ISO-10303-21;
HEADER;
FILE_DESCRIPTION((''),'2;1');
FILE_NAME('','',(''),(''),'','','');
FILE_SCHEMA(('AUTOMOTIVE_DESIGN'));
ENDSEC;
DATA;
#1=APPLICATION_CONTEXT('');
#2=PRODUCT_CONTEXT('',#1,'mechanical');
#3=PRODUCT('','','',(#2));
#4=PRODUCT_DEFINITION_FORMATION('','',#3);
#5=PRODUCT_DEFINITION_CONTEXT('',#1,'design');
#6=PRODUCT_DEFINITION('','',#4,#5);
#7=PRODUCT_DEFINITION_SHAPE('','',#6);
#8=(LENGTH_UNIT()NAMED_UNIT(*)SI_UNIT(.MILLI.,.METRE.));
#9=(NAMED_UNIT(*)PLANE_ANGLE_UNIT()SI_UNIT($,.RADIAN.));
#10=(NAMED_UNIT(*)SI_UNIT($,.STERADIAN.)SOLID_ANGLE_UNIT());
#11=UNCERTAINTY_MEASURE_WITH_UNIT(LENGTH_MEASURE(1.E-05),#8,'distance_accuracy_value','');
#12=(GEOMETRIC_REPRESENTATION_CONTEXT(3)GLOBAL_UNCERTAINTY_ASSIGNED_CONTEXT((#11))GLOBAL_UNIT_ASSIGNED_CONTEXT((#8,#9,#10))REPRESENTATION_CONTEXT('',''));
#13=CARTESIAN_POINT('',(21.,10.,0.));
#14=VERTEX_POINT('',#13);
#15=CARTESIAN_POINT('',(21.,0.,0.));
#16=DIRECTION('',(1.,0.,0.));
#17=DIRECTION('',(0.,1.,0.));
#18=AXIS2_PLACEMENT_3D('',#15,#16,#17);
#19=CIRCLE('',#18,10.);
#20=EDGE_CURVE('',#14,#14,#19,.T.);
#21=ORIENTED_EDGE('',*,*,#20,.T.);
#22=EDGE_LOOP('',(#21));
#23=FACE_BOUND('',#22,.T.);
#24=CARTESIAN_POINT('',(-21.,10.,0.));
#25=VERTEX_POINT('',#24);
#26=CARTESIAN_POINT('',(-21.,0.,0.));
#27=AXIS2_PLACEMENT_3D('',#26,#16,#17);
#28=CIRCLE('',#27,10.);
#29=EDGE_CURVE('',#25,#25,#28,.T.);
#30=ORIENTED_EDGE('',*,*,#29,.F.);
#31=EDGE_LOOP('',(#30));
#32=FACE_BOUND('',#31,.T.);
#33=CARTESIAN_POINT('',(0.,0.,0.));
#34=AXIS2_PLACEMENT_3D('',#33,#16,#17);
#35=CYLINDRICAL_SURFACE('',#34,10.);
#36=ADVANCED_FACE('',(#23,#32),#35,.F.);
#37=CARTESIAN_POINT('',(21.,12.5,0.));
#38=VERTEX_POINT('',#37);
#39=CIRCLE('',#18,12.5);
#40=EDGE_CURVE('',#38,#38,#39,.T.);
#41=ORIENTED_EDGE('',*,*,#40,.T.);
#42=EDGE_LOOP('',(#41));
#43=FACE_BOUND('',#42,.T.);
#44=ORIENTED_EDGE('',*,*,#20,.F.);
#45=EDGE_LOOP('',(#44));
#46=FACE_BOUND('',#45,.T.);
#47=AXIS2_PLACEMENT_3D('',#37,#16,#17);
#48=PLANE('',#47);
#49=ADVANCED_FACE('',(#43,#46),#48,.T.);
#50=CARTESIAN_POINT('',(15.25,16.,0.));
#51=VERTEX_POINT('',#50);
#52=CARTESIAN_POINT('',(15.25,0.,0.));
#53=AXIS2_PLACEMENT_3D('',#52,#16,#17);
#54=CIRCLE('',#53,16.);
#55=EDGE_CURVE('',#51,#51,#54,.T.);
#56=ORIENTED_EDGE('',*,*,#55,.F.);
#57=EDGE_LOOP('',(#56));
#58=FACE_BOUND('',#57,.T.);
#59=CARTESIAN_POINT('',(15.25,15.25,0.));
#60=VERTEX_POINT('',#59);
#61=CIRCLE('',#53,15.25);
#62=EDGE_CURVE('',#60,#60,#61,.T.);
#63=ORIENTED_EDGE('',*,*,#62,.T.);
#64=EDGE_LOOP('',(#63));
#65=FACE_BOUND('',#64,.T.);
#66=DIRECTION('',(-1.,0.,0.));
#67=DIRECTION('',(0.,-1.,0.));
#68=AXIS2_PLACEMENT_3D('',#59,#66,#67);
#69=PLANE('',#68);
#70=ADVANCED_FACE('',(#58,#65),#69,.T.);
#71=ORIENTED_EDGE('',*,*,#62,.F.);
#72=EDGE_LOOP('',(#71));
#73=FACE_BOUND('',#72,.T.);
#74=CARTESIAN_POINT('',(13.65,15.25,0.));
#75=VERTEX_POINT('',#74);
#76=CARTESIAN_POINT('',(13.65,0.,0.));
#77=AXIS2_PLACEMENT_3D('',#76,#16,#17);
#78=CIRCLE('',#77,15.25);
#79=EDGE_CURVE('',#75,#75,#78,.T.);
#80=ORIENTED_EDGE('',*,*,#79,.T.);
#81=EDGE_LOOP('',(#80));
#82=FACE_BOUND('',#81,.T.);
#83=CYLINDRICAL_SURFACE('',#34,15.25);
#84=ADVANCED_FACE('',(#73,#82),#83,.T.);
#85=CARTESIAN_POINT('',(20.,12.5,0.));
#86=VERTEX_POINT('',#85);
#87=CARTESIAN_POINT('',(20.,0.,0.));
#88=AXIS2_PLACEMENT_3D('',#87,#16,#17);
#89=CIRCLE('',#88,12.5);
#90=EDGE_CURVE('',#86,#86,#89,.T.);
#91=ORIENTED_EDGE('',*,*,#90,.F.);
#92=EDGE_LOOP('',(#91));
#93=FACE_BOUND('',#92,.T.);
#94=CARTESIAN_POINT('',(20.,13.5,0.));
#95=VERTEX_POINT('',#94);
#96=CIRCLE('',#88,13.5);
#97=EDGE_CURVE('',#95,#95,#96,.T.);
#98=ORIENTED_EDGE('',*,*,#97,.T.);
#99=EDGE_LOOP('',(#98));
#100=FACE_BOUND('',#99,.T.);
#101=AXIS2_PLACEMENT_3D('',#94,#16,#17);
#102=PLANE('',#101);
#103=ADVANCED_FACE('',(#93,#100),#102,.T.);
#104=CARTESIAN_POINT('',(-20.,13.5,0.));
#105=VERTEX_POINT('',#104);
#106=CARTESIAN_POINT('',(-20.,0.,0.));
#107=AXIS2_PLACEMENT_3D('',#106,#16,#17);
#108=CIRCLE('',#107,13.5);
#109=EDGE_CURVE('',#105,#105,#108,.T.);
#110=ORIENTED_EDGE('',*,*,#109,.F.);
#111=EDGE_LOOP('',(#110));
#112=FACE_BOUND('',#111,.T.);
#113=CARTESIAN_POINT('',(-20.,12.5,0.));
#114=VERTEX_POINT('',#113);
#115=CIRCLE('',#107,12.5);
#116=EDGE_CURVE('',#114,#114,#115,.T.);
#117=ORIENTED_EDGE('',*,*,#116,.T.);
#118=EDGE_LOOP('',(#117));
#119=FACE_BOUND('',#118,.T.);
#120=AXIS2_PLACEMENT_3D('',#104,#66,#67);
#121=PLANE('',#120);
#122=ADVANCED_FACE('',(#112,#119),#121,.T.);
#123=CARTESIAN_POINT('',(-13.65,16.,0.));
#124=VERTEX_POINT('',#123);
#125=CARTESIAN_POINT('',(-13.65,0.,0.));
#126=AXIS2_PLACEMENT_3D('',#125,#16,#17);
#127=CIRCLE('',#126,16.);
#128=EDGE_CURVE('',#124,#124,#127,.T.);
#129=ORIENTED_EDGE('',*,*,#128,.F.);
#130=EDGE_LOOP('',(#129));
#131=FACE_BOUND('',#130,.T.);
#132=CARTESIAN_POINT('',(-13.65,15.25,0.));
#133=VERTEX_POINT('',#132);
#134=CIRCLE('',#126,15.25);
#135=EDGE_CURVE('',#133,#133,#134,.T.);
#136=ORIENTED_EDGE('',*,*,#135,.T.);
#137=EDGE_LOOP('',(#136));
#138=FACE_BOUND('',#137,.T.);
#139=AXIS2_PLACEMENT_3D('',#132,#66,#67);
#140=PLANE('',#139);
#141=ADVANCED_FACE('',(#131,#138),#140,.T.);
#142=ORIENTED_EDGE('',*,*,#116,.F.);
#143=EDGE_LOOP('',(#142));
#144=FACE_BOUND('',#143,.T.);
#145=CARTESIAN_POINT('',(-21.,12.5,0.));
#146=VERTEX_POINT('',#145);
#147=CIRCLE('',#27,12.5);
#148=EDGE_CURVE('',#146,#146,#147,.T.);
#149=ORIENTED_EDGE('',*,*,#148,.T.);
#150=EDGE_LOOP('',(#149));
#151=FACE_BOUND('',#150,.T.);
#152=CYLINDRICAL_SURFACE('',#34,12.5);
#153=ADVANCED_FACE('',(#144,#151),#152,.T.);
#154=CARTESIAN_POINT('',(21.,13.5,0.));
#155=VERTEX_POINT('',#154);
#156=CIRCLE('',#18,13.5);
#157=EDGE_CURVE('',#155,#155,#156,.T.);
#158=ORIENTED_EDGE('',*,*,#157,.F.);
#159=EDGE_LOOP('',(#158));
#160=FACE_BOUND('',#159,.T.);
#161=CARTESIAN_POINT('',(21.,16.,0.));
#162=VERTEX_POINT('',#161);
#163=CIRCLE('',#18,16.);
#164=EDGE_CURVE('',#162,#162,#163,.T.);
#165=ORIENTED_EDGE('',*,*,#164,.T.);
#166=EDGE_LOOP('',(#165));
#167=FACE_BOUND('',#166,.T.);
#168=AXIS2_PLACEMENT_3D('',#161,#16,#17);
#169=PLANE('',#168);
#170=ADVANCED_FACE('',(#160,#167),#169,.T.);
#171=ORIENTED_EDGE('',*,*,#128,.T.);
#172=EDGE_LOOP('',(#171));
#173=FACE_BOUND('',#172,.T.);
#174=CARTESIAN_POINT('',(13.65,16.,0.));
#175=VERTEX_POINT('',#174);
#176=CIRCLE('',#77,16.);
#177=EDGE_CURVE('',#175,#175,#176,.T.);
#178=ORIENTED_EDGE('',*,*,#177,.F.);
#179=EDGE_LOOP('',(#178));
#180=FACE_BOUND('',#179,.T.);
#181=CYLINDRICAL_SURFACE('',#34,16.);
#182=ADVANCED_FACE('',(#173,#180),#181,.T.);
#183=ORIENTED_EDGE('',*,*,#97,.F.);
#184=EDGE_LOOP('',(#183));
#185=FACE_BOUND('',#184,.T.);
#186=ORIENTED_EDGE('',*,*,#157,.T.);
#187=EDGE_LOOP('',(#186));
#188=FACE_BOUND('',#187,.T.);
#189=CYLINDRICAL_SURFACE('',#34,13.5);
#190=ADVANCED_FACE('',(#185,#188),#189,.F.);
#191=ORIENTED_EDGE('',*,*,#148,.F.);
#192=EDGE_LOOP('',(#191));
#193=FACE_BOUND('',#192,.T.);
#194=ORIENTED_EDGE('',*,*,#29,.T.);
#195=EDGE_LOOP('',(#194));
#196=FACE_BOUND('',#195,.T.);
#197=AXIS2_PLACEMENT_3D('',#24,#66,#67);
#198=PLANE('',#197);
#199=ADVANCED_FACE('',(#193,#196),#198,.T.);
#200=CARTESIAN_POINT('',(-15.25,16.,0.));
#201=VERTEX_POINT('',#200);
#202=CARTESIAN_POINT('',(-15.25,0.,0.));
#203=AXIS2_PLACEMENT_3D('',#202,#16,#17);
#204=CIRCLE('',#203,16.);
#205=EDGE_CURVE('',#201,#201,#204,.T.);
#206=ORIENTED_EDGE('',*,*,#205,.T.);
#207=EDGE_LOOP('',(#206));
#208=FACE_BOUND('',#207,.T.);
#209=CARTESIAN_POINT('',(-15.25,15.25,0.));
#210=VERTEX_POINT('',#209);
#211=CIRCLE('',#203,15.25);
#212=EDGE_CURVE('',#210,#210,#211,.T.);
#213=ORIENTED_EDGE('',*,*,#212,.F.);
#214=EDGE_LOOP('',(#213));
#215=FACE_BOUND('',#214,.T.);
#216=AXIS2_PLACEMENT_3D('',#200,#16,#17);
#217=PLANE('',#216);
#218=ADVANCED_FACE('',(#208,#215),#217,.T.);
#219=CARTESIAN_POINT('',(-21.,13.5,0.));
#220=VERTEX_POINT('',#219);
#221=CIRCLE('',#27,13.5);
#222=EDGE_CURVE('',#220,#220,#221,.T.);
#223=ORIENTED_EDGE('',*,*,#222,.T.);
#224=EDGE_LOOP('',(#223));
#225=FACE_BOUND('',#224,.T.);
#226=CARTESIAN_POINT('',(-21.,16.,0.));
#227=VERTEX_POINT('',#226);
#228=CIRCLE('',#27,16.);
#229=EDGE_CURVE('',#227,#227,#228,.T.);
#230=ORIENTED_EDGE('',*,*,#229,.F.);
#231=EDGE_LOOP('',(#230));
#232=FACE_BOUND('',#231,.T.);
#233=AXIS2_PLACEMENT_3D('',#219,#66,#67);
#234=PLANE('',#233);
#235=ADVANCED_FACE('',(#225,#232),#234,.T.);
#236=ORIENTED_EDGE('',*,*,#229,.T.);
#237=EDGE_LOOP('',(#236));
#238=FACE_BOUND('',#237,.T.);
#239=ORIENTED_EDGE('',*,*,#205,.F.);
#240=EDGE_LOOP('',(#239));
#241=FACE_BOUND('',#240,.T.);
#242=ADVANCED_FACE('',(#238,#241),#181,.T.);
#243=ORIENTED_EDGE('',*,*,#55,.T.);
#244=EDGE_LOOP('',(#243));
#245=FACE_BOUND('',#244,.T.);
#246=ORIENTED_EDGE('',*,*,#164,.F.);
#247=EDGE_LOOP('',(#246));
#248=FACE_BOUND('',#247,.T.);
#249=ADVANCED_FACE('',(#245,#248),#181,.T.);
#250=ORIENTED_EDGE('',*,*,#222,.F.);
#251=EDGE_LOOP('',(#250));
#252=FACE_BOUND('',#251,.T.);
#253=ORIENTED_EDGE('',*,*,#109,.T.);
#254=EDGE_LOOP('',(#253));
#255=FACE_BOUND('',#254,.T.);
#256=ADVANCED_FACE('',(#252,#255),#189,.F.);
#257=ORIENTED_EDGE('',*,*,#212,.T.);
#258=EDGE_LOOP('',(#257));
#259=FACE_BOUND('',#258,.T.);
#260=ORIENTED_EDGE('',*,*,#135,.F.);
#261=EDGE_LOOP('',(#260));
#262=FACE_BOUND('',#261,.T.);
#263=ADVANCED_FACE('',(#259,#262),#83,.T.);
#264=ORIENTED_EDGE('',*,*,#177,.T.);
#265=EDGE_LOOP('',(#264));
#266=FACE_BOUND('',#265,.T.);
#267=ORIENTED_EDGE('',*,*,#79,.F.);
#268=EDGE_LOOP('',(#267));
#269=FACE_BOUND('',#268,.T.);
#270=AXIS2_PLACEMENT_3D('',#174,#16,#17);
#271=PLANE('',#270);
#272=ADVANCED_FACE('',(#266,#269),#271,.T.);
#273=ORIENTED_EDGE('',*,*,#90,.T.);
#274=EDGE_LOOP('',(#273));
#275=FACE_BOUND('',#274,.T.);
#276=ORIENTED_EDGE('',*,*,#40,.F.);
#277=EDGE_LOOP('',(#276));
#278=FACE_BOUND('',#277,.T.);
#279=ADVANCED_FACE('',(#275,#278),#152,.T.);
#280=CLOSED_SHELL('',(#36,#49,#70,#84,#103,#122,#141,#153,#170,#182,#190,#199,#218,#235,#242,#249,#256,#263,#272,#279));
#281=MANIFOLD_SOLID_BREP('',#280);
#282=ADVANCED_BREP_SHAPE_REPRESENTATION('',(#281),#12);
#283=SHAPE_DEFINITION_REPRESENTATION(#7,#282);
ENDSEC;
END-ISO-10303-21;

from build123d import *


with BuildPart() as part:
    # Esboço1 → Revolução1 (revolve)
    with BuildSketch(Plane.XY):
        Polygon((-21, 16), (-15.25, 16), (-15.25, 15.25), (-13.65, 15.25), (-13.65, 16), (13.65, 16), (13.65, 15.25), (15.25, 15.25), (15.25, 16), (21, 16), (21, 13.5), (20, 13.5), (20, 12.5), (21, 12.5), (21, 10), (-21, 10), (-21, 12.5), (-20, 12.5), (-20, 13.5), (-21, 13.5), align=None)
    revolve(axis=Axis((0, 0, 0), (-1, 0, 0)))


solid = part.part
